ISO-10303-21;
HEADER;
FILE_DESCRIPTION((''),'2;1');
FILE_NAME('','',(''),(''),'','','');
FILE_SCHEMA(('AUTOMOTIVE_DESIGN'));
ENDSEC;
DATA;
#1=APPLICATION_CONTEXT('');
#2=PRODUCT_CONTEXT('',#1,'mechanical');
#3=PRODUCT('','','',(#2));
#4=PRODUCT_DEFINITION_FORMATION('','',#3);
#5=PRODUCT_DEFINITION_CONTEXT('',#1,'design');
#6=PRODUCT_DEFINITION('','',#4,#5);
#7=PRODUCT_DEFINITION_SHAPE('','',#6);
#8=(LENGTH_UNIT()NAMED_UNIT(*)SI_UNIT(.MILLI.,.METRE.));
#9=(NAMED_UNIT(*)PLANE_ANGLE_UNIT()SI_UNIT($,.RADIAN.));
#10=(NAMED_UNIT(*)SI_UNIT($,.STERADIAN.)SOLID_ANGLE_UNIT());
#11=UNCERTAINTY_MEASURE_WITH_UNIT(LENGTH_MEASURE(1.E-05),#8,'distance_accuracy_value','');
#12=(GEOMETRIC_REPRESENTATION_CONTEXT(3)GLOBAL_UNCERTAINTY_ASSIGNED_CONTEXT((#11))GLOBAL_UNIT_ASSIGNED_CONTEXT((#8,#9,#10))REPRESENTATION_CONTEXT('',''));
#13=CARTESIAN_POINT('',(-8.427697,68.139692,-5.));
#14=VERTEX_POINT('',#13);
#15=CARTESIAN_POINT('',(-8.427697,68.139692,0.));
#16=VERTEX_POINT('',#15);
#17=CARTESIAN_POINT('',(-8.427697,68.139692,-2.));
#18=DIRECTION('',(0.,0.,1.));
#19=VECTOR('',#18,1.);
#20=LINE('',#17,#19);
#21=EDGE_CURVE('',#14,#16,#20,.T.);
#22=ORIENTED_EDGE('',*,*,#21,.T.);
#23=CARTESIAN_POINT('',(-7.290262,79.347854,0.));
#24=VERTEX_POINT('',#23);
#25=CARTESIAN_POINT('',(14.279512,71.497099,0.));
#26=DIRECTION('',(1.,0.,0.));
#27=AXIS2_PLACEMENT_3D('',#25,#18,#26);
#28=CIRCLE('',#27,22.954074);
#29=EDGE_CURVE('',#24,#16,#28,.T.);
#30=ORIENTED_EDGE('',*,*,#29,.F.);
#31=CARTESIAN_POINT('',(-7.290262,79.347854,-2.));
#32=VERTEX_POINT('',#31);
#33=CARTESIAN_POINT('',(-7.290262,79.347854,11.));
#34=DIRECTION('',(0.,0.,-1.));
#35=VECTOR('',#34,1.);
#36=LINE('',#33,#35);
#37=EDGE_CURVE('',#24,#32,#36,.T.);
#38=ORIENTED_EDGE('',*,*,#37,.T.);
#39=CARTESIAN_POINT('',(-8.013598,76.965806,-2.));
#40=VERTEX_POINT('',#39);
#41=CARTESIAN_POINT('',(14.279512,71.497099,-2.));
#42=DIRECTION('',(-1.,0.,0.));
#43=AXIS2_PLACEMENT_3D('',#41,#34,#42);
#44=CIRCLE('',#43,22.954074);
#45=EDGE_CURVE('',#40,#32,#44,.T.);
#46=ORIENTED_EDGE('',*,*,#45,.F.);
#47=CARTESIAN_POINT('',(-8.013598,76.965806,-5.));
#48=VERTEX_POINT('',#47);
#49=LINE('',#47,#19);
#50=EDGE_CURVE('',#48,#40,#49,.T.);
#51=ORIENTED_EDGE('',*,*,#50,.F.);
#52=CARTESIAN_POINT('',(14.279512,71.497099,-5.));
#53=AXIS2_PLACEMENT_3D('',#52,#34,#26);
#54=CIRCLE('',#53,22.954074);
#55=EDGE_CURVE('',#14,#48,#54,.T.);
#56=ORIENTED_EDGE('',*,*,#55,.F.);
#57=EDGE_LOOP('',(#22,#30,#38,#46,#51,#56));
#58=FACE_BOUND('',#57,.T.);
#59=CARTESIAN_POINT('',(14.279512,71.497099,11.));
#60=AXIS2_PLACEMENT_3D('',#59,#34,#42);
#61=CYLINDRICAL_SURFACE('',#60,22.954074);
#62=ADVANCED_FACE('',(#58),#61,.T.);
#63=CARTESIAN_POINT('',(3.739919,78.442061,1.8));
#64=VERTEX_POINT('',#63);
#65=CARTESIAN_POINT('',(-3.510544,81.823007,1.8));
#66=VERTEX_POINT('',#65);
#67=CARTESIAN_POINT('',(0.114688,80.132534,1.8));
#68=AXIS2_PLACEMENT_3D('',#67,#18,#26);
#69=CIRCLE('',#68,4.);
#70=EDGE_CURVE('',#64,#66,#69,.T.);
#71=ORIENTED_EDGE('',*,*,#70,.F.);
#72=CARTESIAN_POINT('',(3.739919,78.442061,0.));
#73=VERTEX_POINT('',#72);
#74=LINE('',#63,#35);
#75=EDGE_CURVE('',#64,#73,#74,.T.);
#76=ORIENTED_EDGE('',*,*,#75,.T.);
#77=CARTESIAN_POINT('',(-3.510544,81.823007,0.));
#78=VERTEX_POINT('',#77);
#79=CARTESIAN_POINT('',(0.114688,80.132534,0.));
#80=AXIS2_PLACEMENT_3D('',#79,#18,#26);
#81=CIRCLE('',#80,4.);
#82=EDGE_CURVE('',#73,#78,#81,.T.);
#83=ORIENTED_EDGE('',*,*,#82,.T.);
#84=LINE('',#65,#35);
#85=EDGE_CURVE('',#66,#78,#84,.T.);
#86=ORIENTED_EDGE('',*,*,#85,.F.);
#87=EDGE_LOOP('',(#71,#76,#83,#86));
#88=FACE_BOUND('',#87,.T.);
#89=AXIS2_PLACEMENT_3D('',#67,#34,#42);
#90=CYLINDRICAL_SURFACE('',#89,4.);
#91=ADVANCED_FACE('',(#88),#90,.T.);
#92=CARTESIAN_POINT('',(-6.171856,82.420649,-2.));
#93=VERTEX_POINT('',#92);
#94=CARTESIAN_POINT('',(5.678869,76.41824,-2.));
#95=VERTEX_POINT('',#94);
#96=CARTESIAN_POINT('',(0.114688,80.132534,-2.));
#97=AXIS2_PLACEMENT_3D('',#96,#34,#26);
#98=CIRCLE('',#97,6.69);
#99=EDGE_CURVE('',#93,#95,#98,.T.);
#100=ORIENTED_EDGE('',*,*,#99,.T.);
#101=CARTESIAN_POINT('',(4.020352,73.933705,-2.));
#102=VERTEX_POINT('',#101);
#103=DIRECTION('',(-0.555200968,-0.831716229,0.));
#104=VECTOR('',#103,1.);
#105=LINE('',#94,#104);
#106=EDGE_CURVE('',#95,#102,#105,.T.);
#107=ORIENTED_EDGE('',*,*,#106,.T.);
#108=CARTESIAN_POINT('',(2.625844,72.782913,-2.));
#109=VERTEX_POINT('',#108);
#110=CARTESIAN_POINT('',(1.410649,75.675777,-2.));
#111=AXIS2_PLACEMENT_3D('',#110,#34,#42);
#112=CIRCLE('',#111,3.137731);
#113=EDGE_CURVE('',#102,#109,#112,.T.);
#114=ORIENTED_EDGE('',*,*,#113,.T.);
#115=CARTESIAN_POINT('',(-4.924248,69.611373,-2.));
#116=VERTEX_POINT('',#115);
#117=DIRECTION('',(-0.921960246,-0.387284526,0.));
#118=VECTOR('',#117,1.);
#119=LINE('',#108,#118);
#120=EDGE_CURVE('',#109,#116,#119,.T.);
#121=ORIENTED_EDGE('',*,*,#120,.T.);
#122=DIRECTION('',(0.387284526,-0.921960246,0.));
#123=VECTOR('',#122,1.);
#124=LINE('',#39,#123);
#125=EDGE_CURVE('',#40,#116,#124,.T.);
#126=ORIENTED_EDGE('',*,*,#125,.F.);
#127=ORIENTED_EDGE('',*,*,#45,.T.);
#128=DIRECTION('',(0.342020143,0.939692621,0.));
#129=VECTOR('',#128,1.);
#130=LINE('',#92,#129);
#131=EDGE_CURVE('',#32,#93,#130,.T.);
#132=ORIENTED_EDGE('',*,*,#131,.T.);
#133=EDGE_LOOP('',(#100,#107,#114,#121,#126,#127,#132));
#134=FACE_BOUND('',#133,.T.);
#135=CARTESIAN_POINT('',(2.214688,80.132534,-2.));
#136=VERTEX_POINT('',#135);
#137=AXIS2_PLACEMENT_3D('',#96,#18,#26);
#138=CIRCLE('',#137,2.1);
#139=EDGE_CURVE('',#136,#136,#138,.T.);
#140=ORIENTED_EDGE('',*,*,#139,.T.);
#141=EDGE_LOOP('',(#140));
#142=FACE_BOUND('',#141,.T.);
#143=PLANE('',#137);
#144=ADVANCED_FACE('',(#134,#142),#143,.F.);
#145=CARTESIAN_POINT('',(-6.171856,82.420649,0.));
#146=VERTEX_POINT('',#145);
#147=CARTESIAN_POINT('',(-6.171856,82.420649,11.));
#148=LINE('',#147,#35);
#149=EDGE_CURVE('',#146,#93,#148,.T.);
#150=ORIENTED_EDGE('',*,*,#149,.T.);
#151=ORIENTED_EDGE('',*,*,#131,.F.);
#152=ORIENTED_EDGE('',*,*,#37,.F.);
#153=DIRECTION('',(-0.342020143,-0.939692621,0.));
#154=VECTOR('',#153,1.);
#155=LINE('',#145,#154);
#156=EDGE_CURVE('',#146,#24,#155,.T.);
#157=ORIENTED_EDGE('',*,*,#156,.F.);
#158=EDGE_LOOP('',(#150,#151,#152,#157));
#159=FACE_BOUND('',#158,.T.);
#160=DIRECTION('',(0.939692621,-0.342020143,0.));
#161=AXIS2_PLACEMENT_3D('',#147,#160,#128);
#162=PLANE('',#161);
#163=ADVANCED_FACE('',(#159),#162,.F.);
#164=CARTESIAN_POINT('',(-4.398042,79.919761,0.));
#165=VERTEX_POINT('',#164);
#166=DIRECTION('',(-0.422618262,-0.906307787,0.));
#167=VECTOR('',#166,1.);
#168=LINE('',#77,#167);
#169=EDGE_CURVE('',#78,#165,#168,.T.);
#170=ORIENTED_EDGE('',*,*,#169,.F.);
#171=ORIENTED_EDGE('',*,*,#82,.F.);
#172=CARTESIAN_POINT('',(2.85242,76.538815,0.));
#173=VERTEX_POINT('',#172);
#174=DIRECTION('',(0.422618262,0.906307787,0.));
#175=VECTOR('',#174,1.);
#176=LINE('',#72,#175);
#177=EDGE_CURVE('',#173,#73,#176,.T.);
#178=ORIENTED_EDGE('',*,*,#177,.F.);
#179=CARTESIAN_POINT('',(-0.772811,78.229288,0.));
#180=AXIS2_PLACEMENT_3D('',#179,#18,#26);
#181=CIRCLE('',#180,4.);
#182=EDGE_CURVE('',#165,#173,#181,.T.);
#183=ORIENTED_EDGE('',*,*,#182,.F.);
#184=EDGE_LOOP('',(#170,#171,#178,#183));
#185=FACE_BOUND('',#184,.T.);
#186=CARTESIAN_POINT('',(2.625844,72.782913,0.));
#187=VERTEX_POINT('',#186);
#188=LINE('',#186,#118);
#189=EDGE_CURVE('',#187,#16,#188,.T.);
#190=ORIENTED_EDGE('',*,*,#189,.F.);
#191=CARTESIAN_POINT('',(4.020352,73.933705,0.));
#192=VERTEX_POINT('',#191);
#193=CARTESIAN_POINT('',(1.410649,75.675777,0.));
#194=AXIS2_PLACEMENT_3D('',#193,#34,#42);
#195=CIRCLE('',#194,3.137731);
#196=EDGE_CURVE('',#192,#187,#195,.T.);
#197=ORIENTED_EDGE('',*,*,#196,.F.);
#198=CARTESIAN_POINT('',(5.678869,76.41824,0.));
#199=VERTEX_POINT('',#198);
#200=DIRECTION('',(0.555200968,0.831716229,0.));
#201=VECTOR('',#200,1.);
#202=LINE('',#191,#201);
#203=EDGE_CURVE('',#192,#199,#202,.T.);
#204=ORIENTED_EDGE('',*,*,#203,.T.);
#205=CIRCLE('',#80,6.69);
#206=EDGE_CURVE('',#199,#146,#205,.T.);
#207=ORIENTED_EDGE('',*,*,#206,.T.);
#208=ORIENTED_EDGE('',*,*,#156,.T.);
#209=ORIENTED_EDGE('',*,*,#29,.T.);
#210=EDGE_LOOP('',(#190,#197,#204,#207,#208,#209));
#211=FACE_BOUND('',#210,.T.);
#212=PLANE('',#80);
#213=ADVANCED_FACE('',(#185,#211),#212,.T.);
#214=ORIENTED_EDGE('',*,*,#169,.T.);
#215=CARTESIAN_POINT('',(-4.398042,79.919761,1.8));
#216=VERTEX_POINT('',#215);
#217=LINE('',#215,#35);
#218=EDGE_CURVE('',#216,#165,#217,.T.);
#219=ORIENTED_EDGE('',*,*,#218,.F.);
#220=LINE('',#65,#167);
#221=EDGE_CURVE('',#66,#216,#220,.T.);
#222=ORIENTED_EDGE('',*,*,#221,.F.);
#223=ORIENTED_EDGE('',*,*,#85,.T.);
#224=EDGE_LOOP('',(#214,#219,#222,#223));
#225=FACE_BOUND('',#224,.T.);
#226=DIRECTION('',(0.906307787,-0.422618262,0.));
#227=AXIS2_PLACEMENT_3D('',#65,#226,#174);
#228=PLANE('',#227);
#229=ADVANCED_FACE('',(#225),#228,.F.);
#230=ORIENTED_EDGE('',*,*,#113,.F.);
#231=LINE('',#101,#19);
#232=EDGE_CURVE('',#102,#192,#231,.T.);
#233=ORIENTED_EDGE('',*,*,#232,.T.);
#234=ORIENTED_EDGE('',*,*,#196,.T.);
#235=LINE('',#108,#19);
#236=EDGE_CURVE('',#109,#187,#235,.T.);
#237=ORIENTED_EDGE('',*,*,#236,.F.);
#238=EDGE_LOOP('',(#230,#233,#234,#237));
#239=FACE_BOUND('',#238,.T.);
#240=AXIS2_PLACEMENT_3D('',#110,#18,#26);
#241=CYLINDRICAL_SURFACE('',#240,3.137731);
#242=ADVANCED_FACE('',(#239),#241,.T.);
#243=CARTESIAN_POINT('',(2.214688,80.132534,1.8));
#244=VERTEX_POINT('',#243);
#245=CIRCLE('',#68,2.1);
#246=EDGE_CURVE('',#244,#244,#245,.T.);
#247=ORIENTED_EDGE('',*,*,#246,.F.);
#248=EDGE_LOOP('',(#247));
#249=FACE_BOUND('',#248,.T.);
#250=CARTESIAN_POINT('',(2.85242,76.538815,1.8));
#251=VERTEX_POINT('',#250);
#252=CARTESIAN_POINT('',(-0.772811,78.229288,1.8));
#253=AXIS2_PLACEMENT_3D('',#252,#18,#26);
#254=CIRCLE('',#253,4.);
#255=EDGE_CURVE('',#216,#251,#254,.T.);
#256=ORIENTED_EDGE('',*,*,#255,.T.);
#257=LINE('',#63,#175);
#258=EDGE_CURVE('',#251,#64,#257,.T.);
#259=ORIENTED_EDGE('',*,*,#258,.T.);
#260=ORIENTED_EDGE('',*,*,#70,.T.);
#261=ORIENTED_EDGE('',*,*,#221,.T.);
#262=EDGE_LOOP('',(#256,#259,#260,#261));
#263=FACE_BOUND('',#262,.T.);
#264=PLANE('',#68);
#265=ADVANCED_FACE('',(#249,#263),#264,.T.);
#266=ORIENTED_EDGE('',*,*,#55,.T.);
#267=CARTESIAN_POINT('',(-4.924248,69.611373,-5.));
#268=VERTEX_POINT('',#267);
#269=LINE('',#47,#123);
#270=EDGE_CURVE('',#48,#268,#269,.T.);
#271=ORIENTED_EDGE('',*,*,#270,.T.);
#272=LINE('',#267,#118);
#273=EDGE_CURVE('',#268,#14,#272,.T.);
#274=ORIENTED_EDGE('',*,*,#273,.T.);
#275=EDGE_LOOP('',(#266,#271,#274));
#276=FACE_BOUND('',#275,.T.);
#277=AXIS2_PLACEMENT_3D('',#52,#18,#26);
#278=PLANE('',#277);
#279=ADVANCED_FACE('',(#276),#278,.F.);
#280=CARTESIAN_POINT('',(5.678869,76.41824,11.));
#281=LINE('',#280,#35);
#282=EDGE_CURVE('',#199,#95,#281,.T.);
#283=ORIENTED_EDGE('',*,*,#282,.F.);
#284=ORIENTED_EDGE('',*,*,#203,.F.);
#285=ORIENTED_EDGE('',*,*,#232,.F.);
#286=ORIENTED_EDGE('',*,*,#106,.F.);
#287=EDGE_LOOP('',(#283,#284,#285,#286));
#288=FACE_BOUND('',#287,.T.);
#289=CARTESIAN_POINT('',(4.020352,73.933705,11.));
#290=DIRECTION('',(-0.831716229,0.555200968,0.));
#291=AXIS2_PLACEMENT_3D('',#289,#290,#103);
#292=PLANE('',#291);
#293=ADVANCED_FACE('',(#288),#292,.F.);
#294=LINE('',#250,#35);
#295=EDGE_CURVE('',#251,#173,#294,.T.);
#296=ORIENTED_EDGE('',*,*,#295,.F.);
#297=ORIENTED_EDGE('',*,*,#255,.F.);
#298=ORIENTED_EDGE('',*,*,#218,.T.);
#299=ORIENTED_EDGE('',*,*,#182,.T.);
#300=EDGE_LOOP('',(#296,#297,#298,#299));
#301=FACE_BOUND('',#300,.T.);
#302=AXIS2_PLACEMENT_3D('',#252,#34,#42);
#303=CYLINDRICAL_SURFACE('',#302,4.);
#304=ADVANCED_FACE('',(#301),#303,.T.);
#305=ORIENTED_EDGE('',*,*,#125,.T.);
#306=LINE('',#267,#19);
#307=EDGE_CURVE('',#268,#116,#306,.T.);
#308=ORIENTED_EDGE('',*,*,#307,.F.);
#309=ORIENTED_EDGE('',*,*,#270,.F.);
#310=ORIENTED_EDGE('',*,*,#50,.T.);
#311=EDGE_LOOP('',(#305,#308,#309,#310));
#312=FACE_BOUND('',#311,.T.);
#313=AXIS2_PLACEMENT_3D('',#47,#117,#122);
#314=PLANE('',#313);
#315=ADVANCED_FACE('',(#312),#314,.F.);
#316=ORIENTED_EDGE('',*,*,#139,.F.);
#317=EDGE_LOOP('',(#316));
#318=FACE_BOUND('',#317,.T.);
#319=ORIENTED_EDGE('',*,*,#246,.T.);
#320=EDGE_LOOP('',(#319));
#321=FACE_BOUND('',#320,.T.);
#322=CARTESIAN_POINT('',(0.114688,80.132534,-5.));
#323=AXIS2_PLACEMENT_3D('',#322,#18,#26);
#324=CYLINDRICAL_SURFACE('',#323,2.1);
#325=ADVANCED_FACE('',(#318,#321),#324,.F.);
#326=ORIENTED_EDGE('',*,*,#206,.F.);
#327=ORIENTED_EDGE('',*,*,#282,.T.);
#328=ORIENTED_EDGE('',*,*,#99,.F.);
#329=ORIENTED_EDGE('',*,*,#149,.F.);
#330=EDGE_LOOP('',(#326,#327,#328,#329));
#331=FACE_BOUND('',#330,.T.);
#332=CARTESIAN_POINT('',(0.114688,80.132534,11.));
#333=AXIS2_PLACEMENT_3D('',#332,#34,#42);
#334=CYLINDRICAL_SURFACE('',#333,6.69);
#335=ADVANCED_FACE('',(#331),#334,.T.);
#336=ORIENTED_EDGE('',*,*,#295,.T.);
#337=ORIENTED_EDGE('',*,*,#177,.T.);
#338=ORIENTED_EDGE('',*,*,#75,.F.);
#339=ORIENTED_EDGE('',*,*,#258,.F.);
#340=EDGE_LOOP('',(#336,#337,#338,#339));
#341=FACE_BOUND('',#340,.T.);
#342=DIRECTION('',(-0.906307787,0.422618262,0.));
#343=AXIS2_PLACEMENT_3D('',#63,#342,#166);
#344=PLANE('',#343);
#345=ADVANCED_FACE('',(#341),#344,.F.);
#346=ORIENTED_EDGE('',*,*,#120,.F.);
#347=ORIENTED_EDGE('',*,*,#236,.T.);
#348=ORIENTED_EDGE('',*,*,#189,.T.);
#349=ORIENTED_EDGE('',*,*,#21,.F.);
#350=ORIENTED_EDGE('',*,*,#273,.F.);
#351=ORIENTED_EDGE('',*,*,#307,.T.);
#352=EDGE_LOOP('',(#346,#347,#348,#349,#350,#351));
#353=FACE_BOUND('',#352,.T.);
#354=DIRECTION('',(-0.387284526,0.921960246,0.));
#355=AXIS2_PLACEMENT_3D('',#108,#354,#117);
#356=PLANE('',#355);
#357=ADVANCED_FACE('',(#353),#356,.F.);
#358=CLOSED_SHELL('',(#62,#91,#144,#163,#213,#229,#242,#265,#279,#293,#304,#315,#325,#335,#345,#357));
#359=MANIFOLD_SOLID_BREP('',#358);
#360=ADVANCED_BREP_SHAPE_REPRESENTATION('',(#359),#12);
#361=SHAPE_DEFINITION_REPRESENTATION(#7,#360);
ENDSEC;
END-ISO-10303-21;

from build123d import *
from build123d.topology import SkipClean

# Parameters (mm, degrees)
SKETCH3_R           = 2.75
SKETCH3_R_2         = 2.1
BOSS_EXTRUDE2_DEPTH = 11
BOSS_EXTRUDE4_START = 2
BOSS_EXTRUDE4_DEPTH = 2
BOSS_EXTRUDE3_START = 3
BOSS_EXTRUDE3_DEPTH = 3
SKETCH14_W          = 47.285712055
SKETCH14_H          = 12.595473758
CUT_EXTRUDE1_DEPTH  = 92.326119258
BOSS_EXTRUDE5_DEPTH = 1.8
SKETCH15_R          = 2.1
CUT_EXTRUDE2_DEPTH  = 88.519372163


with BuildPart() as part:
    # Sketch3 → Boss-Extrude2 (new body)
    with BuildSketch(Plane.XY):
        with BuildLine():
            Line((11.81639044, 60.252883085), (11.728372068, 60.311638564))
            ThreePointArc((11.728372068, 60.311638564), (8.917204522, 62.7925154), (6.866230988, 65.931132995))
            ThreePointArc((6.866230988, 65.931132995), (6.025591445, 67.274340702), (4.901176311, 68.390840765))
            ThreePointArc((4.901176311, 68.390840765), (3.375934297, 70.989881123), (4.020351516, 73.93370524))
            Line((4.020351516, 73.93370524), (5.678869184, 76.41823992))
            ThreePointArc((5.678869184, 76.41823992), (3.137547336, 86.100651278), (-6.171856019, 82.420649156))
            Line((-6.171856019, 82.420649156), (-7.290261888, 79.347854286))
            ThreePointArc((-7.290261888, 79.347854286), (-8.557893098, 69.185727028), (-5.279809822, 59.483671095))
            ThreePointArc((-5.279809822, 59.483671095), (-2.848156457, 57.139360441), (0.414833066, 56.266646336))
            ThreePointArc((0.414833066, 56.266646336), (3.287818882, 55.822166382), (5.91364728, 54.574514525))
            Line((5.91364728, 54.574514525), (7.374782695, 53.599153256))
            ThreePointArc((7.374782695, 53.599153256), (10.815902262, 50.678650143), (13.499590609, 47.049812979))
            ThreePointArc((13.499590609, 47.049812979), (24.965953819, 46.665736496), (20.21385057, 57.108078892))
            ThreePointArc((20.21385057, 57.108078892), (15.833272198, 58.194897845), (11.81639044, 60.252883085))
        make_face()
        with Locations((19.351869275, 50.413343031)):
            Circle(SKETCH3_R, mode=Mode.SUBTRACT)
        with Locations((0.471910886, 63.016405008)):
            Circle(SKETCH3_R, mode=Mode.SUBTRACT)
        with Locations((0.114687614, 80.132534397)):
            Circle(SKETCH3_R_2, mode=Mode.SUBTRACT)
    extrude(amount=BOSS_EXTRUDE2_DEPTH)

    # Sketch13 → Boss-Extrude4 (add)
    with SkipClean():  # the faces are left unmerged after this step: merging them gives an invalid solid
        with BuildSketch(Plane(origin=(0, 0, 0), x_dir=(-1, 0, 0), z_dir=(0, 0, -1)).offset(BOSS_EXTRUDE4_START)):
            with BuildLine():
                Line((-5.678869184, 76.41823992), (-4.020351516, 73.93370524))
                ThreePointArc((-4.020351516, 73.93370524), (-3.407782277, 73.255690271), (-2.625844204, 72.782913134))
                Line((-2.625844204, 72.782913134), (8.427696777, 68.139691908))
                ThreePointArc((8.427696777, 68.139691908), (8.557268078, 73.814637343), (7.290261888, 79.347854286))
                Line((7.290261888, 79.347854286), (6.171856019, 82.420649156))
                ThreePointArc((6.171856019, 82.420649156), (-3.137547336, 86.100651278), (-5.678869184, 76.41823992))
            make_face()
        extrude(amount=-BOSS_EXTRUDE4_DEPTH)

    # Sketch12 → Boss-Extrude3 (add)
    with SkipClean():  # the faces are left unmerged after this step: merging them gives an invalid solid
        with BuildSketch(Plane(origin=(0, 0, -2), x_dir=(-1, 0, 0), z_dir=(0, 0, -1)).offset(BOSS_EXTRUDE3_START)):
            with BuildLine():
                Line((8.013597957, 76.965805827), (4.924247842, 69.611373108))
                Line((4.924247842, 69.611373108), (8.427696777, 68.139691908))
                ThreePointArc((8.427696777, 68.139691908), (8.649339764, 72.572862025), (8.013597957, 76.965805827))
            make_face()
        extrude(amount=-BOSS_EXTRUDE3_DEPTH)

    # Sketch14 → Cut-Extrude1 (cut, through all)
    with BuildSketch(Plane(origin=(0, 0, 0), x_dir=(1, 0, 0), z_dir=(0, 1, 0))):
        with Locations((8.412006537, -6.297736879)):
            Rectangle(SKETCH14_W, SKETCH14_H)
    extrude(amount=CUT_EXTRUDE1_DEPTH, mode=Mode.SUBTRACT)

    # Sketch16 → Boss-Extrude5 (add)
    with BuildSketch(Plane.XY):
        with BuildLine():
            Line((3.739918762, 78.44206135), (2.852420412, 76.538814997))
            ThreePointArc((2.852420412, 76.538814997), (-2.463283783, 74.604056896), (-4.398041884, 79.919761091))
            Line((-4.398041884, 79.919761091), (-3.510543534, 81.823007444))
            ThreePointArc((-3.510543534, 81.823007444), (1.805160661, 83.757765545), (3.739918762, 78.44206135))
        make_face()
    extrude(amount=BOSS_EXTRUDE5_DEPTH)

    # Sketch15 → Cut-Extrude2 (cut, through all)
    with BuildSketch(Plane.XY.offset(1.8)):
        with Locations((0.114687614, 80.132534397)):
            Circle(SKETCH15_R)
    extrude(amount=-CUT_EXTRUDE2_DEPTH, mode=Mode.SUBTRACT)


solid = part.part
